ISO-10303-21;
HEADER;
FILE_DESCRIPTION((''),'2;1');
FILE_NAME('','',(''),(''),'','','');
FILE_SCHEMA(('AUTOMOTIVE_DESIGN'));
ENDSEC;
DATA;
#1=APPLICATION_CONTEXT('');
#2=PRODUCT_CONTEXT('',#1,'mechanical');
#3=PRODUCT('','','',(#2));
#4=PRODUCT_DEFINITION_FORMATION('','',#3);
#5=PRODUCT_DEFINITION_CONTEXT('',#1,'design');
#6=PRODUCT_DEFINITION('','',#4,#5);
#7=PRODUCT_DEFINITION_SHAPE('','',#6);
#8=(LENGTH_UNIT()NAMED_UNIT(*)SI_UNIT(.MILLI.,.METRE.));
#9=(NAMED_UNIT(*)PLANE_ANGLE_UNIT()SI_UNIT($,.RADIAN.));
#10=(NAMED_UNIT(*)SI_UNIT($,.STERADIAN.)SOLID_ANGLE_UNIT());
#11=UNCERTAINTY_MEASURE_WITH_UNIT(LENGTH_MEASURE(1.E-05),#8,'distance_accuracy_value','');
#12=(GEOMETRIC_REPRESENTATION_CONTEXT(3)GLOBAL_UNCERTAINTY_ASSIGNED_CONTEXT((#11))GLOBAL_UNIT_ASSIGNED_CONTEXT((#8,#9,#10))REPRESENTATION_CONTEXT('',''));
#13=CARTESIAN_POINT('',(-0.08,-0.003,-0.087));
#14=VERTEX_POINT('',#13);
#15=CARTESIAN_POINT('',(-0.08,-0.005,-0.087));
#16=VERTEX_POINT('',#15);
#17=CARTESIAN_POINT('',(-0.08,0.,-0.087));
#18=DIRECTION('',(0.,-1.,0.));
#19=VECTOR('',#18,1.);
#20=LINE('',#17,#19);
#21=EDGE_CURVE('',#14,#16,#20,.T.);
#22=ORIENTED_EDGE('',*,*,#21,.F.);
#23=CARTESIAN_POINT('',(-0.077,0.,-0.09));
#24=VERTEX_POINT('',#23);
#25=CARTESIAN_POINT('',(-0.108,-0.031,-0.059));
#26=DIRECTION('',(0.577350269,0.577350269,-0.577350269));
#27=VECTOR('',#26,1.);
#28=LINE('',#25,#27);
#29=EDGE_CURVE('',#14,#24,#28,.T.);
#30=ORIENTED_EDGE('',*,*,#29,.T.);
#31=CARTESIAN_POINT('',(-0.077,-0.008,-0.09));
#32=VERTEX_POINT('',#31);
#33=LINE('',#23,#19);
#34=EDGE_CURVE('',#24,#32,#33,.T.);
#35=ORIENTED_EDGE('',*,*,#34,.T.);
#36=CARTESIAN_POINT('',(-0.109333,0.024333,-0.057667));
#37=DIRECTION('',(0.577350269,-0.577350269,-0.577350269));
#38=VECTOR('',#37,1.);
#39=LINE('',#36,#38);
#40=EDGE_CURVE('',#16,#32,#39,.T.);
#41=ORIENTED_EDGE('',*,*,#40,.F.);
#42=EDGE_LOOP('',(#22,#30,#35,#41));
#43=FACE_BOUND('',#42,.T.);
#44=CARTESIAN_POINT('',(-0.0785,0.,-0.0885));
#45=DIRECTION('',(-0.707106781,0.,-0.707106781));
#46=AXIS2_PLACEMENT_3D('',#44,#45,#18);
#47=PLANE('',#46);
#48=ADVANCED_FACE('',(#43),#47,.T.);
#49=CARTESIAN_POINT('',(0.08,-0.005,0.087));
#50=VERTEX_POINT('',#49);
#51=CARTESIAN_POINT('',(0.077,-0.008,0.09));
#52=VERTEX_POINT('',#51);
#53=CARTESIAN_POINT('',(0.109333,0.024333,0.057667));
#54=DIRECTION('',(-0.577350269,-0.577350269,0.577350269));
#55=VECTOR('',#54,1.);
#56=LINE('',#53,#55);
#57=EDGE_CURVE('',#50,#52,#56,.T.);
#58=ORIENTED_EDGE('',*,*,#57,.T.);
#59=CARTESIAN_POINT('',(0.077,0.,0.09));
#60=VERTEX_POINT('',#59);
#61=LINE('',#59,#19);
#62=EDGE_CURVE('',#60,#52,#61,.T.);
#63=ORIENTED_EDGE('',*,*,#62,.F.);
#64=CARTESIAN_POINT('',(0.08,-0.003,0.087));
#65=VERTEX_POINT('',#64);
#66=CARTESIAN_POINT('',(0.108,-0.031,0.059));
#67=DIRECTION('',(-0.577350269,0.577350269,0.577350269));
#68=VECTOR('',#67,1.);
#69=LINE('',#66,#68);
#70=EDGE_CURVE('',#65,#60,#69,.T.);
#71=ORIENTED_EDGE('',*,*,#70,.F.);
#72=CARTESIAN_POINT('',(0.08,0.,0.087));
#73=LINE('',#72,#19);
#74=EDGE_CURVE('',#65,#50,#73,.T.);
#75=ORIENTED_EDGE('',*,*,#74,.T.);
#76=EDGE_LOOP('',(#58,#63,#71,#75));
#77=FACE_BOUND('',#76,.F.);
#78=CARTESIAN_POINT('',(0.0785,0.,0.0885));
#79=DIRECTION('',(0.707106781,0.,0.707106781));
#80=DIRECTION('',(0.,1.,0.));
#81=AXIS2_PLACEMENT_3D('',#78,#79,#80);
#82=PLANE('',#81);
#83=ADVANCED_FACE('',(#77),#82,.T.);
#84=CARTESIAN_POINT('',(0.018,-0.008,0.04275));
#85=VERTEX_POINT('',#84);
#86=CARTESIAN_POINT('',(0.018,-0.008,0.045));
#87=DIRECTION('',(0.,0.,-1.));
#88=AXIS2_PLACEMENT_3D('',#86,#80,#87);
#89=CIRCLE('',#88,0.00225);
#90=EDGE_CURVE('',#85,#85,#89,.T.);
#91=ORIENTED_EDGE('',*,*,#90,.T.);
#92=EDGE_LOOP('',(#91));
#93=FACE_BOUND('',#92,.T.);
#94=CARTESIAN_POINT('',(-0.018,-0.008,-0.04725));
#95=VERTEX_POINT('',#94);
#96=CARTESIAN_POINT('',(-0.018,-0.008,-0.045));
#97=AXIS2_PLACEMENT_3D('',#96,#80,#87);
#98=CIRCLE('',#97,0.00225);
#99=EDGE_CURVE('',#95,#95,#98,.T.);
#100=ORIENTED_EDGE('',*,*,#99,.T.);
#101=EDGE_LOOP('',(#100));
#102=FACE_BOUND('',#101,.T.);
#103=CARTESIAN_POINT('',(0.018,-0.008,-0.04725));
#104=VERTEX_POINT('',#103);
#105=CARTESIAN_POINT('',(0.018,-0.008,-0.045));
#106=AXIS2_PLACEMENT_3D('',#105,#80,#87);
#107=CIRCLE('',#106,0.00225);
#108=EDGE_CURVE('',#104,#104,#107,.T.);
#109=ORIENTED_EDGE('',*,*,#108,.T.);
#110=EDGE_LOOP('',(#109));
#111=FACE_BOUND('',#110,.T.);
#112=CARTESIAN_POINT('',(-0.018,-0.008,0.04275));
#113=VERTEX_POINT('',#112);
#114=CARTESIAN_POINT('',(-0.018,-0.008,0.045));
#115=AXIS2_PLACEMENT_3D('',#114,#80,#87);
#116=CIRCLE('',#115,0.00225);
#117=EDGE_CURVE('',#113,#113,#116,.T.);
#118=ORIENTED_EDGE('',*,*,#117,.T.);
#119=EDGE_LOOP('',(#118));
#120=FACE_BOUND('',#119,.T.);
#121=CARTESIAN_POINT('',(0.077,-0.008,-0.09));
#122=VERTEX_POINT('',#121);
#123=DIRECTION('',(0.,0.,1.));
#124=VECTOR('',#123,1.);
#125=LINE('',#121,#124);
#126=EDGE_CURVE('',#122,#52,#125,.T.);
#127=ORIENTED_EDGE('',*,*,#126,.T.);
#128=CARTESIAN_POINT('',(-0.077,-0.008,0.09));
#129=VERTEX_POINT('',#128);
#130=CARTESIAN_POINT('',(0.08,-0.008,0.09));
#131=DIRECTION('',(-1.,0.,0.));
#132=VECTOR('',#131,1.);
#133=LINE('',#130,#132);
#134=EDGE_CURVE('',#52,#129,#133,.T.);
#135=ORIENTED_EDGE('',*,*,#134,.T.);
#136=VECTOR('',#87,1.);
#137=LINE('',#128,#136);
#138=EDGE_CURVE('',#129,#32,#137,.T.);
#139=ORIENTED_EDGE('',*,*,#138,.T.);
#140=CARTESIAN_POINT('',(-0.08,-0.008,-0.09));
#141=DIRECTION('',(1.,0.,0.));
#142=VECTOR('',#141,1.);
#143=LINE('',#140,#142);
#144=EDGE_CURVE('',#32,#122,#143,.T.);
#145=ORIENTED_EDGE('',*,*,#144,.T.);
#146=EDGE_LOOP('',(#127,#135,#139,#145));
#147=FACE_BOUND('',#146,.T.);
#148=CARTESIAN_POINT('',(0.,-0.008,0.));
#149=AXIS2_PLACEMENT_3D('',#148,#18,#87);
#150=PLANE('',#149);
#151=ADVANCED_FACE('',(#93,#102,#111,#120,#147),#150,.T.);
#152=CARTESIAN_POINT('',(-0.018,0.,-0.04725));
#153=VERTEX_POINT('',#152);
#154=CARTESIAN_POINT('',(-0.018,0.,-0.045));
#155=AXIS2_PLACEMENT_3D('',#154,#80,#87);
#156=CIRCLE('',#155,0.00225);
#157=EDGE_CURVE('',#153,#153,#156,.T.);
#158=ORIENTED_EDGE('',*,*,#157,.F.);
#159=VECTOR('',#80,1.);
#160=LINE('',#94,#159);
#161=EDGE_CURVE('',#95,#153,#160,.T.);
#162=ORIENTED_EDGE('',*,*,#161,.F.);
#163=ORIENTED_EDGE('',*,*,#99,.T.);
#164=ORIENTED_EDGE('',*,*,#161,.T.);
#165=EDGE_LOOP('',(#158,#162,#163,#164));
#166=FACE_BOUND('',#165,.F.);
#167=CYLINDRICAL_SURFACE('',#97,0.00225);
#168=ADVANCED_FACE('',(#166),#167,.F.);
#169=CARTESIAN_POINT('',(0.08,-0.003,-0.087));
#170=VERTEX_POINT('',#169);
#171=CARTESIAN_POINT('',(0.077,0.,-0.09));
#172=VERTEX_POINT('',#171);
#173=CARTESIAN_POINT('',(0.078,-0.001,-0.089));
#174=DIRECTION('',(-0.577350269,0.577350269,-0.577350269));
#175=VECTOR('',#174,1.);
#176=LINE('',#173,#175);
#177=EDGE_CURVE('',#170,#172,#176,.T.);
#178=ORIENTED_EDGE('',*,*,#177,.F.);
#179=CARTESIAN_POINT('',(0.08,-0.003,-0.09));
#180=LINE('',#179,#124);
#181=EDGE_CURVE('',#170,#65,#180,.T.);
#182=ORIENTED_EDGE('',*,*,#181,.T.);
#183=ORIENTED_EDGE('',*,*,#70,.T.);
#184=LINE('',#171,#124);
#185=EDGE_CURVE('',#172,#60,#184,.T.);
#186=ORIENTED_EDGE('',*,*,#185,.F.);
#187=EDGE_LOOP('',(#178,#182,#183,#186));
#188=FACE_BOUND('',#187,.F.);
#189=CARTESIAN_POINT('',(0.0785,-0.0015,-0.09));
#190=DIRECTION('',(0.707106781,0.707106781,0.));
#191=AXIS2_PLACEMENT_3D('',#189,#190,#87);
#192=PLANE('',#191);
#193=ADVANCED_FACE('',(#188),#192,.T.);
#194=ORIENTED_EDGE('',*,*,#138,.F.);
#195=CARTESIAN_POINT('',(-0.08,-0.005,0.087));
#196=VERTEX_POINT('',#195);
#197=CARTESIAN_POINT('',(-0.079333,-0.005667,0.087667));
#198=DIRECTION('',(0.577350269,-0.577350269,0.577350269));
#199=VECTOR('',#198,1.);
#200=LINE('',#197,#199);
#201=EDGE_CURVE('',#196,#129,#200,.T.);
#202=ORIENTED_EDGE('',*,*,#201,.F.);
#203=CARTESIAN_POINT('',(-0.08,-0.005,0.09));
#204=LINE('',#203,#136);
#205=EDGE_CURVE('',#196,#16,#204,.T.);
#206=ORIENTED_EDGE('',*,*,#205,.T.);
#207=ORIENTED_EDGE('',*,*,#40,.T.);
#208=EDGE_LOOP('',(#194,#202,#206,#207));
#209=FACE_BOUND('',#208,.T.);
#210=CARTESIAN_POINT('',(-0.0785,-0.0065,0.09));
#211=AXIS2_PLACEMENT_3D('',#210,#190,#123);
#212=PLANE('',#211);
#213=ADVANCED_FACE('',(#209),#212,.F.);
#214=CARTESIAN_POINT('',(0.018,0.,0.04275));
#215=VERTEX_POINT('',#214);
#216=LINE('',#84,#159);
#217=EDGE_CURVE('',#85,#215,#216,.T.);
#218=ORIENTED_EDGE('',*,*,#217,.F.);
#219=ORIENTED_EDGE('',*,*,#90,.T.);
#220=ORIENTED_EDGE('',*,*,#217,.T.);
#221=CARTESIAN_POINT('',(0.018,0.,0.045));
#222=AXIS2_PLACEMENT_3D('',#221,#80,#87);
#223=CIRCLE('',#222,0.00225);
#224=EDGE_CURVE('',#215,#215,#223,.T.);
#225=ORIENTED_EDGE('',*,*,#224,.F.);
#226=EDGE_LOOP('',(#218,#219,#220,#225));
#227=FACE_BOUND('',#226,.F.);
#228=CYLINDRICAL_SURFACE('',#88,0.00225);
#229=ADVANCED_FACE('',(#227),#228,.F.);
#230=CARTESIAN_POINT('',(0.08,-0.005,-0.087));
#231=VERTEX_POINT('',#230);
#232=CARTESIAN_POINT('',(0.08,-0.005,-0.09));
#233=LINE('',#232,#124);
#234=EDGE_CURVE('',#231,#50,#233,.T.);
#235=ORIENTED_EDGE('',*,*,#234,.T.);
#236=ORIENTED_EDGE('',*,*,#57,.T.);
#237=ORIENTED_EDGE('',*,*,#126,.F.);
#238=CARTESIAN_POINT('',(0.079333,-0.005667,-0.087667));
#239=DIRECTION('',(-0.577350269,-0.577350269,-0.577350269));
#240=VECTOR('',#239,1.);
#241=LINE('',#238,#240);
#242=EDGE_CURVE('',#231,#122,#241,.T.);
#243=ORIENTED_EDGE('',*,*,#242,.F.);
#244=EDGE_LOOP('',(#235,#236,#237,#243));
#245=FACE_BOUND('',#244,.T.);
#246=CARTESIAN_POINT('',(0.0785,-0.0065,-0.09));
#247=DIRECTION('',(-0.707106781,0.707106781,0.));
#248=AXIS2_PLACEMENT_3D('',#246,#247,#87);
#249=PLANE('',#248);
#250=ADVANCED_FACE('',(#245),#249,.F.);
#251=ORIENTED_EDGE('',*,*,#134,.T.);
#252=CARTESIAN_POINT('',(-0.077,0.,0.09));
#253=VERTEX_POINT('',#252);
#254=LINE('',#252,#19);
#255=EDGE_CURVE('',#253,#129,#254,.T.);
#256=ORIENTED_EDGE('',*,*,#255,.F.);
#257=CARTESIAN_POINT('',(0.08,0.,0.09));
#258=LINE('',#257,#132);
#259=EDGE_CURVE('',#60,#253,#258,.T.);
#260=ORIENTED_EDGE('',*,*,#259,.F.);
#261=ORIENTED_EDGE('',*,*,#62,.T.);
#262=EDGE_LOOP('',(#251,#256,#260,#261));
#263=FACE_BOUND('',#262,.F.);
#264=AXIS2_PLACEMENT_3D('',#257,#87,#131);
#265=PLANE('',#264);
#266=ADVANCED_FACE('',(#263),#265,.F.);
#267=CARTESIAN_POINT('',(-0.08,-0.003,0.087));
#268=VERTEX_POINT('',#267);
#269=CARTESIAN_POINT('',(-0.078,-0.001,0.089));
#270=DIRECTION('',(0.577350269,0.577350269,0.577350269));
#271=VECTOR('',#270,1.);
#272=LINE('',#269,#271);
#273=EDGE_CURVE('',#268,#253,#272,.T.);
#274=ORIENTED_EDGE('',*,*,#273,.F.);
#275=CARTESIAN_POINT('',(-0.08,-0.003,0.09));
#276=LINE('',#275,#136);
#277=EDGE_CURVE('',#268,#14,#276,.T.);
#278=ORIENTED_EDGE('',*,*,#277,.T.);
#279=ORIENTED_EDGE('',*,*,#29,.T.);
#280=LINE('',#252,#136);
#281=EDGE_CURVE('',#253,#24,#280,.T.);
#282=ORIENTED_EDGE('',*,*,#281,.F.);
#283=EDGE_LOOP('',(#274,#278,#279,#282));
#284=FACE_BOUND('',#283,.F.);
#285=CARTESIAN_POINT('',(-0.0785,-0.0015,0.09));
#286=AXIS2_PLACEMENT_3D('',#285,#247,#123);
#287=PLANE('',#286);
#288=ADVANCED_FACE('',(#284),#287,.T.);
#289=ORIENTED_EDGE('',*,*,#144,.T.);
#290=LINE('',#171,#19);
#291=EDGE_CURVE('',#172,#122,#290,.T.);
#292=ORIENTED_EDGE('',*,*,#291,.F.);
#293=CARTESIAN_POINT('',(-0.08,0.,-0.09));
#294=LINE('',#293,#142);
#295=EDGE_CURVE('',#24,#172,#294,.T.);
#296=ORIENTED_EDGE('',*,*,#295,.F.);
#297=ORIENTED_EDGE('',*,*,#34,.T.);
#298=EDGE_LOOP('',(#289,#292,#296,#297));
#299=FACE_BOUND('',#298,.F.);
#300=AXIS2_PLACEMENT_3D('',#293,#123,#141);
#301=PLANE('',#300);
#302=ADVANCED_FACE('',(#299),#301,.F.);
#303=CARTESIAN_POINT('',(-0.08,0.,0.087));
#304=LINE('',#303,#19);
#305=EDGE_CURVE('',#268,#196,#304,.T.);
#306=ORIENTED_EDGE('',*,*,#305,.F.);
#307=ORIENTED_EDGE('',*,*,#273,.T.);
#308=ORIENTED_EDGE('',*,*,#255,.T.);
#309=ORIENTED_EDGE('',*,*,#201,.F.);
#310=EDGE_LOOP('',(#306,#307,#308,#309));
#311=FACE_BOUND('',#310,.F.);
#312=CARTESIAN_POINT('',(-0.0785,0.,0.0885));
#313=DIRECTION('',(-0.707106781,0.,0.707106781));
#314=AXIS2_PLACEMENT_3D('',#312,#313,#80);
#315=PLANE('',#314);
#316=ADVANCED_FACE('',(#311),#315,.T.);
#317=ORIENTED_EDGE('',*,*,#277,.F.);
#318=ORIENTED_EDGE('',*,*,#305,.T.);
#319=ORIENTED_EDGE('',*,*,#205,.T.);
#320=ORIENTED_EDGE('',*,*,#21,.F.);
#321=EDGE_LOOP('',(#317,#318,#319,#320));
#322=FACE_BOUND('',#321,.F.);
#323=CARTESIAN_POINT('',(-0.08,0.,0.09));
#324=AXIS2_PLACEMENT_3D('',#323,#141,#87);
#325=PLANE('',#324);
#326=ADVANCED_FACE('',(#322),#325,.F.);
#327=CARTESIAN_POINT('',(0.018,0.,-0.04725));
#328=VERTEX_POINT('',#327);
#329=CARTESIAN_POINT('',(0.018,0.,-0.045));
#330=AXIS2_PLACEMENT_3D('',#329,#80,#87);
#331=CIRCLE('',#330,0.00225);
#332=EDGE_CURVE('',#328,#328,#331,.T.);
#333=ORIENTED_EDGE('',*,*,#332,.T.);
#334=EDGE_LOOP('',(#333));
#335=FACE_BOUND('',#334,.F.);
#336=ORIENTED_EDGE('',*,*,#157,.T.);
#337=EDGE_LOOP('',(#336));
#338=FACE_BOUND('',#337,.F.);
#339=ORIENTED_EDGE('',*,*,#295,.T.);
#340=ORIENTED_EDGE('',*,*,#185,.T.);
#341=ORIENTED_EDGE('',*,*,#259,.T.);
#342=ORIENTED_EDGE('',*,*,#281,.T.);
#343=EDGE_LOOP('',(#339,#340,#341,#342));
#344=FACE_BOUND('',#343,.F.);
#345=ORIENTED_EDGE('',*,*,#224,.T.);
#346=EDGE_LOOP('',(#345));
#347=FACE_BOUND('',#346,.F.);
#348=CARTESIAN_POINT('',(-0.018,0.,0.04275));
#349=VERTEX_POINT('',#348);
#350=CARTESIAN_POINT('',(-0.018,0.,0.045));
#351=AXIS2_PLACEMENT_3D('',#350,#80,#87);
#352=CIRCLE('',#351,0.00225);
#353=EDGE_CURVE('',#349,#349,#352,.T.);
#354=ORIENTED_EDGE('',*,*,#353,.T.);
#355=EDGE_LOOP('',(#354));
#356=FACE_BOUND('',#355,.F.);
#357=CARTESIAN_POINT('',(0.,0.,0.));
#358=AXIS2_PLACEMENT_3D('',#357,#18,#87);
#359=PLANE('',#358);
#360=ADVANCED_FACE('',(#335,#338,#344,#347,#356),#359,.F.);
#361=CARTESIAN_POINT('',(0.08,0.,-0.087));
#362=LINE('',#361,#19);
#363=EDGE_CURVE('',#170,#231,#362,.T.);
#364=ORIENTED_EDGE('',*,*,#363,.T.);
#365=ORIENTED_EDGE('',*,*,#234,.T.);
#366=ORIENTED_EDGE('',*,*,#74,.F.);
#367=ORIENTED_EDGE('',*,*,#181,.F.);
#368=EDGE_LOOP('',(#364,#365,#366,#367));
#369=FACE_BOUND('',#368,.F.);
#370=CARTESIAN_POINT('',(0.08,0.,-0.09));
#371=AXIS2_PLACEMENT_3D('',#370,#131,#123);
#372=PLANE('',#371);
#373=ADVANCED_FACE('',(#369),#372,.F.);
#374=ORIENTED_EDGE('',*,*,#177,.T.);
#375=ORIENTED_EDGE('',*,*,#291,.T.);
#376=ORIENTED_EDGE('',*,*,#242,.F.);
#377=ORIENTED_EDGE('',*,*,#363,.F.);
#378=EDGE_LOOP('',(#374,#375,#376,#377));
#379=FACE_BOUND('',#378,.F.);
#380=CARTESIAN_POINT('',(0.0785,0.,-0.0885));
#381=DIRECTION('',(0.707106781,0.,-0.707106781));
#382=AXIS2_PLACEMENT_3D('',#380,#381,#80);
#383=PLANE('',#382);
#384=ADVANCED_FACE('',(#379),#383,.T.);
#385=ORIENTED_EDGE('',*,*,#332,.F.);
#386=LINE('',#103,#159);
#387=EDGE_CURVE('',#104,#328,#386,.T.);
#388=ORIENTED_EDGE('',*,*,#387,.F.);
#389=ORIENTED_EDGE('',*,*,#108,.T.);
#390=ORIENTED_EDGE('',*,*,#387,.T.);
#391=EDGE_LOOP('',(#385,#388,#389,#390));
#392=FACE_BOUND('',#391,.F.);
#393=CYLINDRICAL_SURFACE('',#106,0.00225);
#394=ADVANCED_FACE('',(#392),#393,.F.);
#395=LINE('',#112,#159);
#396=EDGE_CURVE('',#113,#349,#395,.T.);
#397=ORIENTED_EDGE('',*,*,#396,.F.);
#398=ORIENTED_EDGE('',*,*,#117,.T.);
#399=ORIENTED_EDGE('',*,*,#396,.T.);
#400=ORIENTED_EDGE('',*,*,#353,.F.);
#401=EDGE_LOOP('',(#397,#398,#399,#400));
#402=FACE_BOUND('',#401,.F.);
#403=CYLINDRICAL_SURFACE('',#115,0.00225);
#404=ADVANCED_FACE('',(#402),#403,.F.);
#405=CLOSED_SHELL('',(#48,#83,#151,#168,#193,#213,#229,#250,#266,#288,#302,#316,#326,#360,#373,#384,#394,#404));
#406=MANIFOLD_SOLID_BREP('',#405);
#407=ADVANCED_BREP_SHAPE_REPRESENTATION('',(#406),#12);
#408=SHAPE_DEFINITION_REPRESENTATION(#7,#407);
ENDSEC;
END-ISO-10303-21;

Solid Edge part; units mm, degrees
sketch "Sketch1" plane through (0, 0, 0) normal (0, -1, 0) x (1, 0, 0)
  line L0 (-0.08, -0.09) -> (0.08, -0.09)
  line L1 (0.08, -0.09) -> (0.08, 0.09)
  line L2 (0.08, 0.09) -> (-0.08, 0.09)
  line L3 (-0.08, 0.09) -> (-0.08, -0.09)
  dimension "D1" = 0.16
  dimension "D2" = 0.18
extrude "Protrusion1" add sketch "Sketch1" along normal blind 0.008
chamfer "Fase_1" distance 0.003 angle 45 8 edges at (0.08, -0.008, 0) (0.08, 0, 0) (0.08, -0.004, 0.09) (0.08, -0.004, -0.09) (-0.08, -0.008, 0) (-0.08, 0, 0) (-0.08, -0.004, 0.09) (-0.08, -0.004, -0.09)
hole "Bohrung_1" at (0.018, -0.008, 0.045) direction (0, 1, 0) diameter 0.0045 depth 3.175
hole "Hole1" at (0.018, -0.008, -0.045) direction (0, 1, 0) diameter 0.0045 depth 3.175
hole "Hole2" at (-0.018, -0.008, -0.045) direction (0, 1, 0) diameter 0.0045 depth 3.175
hole "Hole3" at (-0.018, -0.008, 0.045) direction (0, 1, 0) diameter 0.0045 depth 3.175
